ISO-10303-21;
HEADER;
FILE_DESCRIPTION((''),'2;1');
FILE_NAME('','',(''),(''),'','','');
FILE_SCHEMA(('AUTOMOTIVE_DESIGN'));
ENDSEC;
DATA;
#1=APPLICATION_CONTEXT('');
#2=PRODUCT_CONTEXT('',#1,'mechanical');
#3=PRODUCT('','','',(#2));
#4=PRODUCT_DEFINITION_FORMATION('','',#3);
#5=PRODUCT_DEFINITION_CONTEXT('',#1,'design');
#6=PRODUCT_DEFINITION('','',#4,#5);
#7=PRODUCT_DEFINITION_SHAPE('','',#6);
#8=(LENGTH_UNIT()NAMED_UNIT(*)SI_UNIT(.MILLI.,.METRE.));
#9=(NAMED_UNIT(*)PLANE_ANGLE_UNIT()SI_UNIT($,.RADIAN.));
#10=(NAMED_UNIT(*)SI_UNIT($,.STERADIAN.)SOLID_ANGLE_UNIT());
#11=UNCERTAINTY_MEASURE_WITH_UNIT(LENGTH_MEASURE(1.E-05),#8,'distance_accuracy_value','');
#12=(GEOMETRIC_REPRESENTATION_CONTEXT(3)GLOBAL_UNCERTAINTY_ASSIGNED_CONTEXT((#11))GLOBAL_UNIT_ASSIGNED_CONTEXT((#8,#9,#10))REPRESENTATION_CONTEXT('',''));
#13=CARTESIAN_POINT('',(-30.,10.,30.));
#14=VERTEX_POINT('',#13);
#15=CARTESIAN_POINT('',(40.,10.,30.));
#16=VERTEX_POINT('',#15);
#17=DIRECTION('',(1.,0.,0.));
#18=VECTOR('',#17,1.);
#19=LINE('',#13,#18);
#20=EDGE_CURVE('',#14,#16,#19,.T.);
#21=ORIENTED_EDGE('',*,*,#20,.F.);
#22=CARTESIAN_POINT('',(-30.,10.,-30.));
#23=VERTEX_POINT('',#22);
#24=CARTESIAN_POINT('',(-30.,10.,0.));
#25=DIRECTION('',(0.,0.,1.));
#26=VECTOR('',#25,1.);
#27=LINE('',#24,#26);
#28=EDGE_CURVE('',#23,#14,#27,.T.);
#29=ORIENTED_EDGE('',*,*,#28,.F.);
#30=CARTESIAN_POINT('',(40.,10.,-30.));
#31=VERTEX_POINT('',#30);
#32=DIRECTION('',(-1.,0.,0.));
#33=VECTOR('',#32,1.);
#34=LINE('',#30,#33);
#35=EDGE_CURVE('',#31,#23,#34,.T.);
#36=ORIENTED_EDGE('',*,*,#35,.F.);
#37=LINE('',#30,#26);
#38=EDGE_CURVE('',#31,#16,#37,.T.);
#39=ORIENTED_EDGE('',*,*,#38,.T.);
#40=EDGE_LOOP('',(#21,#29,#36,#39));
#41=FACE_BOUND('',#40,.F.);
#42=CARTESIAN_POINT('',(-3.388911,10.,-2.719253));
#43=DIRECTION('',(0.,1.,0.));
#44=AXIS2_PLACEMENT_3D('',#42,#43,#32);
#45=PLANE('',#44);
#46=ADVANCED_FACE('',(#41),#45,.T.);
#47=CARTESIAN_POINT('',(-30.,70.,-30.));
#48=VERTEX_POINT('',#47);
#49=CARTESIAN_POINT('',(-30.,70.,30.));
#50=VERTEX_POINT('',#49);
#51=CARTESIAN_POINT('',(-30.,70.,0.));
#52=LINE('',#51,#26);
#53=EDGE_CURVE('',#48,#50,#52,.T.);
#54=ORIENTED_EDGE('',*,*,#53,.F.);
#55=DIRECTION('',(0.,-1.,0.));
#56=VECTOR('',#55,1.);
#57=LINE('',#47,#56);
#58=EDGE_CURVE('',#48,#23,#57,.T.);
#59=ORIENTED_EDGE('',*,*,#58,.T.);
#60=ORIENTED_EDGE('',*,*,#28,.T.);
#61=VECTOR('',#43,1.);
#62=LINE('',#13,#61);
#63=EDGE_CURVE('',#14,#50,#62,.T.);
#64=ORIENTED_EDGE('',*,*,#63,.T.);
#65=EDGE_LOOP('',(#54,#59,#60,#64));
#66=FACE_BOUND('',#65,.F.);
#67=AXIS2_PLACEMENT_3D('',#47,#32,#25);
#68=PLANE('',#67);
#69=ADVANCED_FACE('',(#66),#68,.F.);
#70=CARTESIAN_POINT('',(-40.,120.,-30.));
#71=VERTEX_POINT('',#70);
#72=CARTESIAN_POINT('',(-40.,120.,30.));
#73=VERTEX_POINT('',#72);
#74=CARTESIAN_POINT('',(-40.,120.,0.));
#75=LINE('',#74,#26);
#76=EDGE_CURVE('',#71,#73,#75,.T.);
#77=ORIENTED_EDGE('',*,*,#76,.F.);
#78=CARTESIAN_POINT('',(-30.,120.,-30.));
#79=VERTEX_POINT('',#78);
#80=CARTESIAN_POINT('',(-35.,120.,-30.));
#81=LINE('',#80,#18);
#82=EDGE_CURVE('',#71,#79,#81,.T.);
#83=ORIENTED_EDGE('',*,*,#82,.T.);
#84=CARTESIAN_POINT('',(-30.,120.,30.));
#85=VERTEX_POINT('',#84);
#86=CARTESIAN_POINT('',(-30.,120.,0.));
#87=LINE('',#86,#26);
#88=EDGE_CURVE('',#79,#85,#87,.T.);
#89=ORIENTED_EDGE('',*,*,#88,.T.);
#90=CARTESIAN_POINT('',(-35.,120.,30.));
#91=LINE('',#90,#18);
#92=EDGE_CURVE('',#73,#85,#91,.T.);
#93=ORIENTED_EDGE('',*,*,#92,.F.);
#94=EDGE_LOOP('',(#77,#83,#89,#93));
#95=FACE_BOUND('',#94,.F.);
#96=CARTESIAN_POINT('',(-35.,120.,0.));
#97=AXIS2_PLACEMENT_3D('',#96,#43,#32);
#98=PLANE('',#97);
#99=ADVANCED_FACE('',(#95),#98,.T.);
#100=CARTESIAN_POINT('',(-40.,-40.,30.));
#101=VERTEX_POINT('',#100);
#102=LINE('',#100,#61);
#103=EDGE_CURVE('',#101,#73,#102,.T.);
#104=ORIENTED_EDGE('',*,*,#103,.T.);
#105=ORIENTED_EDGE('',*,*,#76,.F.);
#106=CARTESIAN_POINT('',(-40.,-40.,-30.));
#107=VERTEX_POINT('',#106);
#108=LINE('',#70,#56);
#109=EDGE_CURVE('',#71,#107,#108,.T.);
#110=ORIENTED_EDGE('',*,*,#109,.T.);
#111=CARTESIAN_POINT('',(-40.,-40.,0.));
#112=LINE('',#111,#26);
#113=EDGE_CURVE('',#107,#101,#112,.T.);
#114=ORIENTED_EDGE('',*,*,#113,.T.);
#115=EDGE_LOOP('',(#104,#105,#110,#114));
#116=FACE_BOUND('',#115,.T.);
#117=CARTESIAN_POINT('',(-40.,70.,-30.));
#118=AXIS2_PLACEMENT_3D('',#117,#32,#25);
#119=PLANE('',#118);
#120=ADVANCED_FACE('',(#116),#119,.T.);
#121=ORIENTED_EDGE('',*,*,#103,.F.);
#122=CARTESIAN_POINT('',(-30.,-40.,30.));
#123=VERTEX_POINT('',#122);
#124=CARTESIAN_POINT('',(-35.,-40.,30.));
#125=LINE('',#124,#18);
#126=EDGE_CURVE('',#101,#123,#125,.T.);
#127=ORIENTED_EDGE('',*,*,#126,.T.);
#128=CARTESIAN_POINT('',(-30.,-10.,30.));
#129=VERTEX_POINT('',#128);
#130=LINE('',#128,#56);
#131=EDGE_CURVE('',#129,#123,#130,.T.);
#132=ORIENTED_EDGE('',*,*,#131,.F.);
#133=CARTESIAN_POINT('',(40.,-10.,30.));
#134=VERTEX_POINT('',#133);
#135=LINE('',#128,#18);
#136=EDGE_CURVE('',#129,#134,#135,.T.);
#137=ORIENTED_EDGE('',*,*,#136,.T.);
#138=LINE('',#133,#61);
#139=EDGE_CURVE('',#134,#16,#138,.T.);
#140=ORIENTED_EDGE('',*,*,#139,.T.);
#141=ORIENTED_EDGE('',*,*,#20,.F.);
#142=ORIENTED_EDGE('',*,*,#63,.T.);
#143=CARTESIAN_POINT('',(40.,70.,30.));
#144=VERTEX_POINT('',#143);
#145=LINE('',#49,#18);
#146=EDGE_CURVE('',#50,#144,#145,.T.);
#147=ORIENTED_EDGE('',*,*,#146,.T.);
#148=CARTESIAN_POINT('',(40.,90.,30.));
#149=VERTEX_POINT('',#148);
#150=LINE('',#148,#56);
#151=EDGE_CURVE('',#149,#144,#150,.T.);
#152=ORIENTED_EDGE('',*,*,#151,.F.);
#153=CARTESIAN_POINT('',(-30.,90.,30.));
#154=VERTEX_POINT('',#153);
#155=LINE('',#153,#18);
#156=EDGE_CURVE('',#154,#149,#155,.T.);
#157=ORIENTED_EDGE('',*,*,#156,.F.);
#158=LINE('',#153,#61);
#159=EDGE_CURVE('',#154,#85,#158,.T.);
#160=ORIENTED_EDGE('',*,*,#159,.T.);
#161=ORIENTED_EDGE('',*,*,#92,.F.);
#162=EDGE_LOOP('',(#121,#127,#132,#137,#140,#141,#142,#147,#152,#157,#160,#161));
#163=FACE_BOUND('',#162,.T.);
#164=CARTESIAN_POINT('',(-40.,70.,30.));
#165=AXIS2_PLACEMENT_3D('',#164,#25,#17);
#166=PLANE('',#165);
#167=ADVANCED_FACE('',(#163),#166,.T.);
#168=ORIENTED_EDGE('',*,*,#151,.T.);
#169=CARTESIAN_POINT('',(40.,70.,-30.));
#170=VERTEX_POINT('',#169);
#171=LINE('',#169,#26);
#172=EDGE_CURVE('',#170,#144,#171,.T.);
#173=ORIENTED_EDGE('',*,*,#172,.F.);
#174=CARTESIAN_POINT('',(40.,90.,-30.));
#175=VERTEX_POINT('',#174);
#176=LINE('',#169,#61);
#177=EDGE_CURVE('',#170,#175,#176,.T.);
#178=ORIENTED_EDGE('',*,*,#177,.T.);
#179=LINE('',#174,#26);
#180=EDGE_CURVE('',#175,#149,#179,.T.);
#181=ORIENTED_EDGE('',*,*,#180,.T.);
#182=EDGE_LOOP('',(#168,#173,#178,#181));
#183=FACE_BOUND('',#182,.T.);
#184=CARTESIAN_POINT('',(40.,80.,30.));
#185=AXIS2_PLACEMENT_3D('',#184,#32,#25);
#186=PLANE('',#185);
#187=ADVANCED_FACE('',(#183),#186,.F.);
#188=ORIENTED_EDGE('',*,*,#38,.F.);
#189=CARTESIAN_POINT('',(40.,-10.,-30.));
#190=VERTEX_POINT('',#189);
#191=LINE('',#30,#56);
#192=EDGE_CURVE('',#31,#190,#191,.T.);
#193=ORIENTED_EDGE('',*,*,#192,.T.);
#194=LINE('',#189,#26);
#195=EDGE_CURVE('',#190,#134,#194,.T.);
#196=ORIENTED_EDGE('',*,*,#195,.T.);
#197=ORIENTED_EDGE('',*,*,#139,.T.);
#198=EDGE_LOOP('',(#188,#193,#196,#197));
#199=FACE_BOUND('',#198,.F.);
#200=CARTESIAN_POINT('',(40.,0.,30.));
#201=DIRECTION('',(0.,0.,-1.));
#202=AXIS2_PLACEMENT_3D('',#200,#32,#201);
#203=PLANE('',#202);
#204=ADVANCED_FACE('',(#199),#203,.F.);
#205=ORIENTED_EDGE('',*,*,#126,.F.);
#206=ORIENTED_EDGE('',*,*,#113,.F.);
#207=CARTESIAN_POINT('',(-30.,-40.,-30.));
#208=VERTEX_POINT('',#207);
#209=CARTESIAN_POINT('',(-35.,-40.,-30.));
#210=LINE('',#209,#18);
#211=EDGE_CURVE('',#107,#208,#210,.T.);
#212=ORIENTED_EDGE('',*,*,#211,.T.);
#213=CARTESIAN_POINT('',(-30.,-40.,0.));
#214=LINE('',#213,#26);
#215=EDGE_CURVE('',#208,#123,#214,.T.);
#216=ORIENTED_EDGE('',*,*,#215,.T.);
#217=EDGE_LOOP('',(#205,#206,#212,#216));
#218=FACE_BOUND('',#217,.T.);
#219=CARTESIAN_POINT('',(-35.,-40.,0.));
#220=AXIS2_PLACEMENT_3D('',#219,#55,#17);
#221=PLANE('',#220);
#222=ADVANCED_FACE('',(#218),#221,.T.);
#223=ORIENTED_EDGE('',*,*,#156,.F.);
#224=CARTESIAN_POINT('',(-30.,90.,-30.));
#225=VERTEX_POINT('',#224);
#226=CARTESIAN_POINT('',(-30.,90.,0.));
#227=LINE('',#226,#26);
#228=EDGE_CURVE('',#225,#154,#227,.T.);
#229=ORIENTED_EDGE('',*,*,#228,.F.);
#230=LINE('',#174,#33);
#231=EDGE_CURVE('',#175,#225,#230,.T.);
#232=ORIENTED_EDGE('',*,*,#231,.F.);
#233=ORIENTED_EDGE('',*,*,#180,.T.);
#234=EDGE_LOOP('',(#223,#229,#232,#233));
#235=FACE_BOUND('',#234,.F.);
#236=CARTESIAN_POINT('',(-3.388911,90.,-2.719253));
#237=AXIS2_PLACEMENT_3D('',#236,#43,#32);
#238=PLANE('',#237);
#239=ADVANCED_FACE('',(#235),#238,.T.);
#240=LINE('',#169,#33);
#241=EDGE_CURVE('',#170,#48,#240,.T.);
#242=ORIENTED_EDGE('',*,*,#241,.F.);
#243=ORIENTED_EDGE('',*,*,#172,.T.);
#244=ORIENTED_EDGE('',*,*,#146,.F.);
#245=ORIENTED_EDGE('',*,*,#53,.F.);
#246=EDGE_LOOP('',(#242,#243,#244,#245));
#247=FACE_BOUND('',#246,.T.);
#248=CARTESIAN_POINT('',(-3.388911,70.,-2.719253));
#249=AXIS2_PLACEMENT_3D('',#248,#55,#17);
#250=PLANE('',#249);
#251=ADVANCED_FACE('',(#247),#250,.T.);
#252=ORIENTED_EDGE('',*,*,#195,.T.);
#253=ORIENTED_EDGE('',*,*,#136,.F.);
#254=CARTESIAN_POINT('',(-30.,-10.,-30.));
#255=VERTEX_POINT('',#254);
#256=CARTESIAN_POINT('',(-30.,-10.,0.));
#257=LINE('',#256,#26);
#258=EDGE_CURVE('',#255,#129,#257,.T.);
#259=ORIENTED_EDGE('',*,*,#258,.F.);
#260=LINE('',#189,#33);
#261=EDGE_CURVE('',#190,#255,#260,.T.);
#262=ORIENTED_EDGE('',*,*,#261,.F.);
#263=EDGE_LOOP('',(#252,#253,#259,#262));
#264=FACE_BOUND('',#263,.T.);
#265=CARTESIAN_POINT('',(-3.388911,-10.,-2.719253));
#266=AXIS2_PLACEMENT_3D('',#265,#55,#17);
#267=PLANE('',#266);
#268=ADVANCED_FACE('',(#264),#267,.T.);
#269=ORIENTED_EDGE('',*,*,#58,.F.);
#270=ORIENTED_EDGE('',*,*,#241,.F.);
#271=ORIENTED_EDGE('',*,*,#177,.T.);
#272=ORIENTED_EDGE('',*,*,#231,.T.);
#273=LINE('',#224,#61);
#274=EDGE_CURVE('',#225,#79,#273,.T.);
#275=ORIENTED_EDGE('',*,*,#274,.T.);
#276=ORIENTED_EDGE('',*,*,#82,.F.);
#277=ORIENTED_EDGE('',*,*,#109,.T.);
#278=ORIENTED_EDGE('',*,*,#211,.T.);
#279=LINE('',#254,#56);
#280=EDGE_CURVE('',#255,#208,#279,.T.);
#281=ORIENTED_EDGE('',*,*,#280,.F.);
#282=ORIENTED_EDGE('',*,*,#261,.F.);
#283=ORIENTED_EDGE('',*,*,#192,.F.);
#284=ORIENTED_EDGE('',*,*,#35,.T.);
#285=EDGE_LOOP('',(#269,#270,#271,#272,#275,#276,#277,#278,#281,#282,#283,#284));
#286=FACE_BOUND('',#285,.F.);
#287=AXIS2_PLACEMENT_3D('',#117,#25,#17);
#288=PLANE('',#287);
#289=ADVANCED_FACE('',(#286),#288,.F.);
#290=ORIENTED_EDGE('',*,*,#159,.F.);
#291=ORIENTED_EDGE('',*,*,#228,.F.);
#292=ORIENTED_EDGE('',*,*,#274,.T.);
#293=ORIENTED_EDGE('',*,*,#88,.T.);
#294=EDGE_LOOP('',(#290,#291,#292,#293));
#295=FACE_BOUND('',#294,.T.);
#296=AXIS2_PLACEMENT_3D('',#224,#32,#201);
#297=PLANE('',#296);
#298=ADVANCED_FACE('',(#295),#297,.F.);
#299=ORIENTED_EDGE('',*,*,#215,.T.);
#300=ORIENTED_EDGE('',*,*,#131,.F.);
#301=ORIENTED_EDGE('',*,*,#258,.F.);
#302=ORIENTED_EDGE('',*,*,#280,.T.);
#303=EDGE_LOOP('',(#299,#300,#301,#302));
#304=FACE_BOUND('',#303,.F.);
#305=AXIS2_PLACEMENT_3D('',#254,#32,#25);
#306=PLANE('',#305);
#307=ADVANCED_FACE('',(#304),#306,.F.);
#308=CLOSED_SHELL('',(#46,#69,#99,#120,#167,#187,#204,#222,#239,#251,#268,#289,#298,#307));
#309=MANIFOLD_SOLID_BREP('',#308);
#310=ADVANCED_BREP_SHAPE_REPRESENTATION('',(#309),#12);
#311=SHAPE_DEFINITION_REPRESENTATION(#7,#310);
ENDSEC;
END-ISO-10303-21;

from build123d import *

# Parameters (mm, degrees)
F1_DEPTH = 10
F2_W     = 10
F2_H     = 60
F3_DEPTH = 30


with BuildPart() as f1:
    # F0 (on Front) → F1 (new body)
    with BuildSketch(Plane.XZ):
        Polygon((40, 0), (10, 30), (-40, 30), (-40, -30), (40, -30), align=None)
    extrude(amount=F1_DEPTH)

    # F2 (on face) → F3 (join)
    with BuildSketch(Plane.XZ.offset(10)):
        with Locations((-35, 0)):
            Rectangle(F2_W, F2_H)
    extrude(amount=F3_DEPTH)

    # F4: F1 across plane


with BuildPart() as f1_1:
    add(f1.part)
    add(f1.part.mirror(Plane.XY))

    # F5: F1 across face


with BuildPart() as f1_2:
    add(f1_1.part)
    add(f1_1.part.mirror(Plane(origin=(0, 0, 0), x_dir=(-1, 0, 0), z_dir=(0, 1, 0))))

    # F6: F1 across face


with BuildPart() as f1_3:
    add(f1_2.part)
    add(f1_2.part.mirror(Plane(origin=(-35, 40, 0), x_dir=(-1, 0, 0), z_dir=(0, 1, 0))))


solid = f1_3.part
